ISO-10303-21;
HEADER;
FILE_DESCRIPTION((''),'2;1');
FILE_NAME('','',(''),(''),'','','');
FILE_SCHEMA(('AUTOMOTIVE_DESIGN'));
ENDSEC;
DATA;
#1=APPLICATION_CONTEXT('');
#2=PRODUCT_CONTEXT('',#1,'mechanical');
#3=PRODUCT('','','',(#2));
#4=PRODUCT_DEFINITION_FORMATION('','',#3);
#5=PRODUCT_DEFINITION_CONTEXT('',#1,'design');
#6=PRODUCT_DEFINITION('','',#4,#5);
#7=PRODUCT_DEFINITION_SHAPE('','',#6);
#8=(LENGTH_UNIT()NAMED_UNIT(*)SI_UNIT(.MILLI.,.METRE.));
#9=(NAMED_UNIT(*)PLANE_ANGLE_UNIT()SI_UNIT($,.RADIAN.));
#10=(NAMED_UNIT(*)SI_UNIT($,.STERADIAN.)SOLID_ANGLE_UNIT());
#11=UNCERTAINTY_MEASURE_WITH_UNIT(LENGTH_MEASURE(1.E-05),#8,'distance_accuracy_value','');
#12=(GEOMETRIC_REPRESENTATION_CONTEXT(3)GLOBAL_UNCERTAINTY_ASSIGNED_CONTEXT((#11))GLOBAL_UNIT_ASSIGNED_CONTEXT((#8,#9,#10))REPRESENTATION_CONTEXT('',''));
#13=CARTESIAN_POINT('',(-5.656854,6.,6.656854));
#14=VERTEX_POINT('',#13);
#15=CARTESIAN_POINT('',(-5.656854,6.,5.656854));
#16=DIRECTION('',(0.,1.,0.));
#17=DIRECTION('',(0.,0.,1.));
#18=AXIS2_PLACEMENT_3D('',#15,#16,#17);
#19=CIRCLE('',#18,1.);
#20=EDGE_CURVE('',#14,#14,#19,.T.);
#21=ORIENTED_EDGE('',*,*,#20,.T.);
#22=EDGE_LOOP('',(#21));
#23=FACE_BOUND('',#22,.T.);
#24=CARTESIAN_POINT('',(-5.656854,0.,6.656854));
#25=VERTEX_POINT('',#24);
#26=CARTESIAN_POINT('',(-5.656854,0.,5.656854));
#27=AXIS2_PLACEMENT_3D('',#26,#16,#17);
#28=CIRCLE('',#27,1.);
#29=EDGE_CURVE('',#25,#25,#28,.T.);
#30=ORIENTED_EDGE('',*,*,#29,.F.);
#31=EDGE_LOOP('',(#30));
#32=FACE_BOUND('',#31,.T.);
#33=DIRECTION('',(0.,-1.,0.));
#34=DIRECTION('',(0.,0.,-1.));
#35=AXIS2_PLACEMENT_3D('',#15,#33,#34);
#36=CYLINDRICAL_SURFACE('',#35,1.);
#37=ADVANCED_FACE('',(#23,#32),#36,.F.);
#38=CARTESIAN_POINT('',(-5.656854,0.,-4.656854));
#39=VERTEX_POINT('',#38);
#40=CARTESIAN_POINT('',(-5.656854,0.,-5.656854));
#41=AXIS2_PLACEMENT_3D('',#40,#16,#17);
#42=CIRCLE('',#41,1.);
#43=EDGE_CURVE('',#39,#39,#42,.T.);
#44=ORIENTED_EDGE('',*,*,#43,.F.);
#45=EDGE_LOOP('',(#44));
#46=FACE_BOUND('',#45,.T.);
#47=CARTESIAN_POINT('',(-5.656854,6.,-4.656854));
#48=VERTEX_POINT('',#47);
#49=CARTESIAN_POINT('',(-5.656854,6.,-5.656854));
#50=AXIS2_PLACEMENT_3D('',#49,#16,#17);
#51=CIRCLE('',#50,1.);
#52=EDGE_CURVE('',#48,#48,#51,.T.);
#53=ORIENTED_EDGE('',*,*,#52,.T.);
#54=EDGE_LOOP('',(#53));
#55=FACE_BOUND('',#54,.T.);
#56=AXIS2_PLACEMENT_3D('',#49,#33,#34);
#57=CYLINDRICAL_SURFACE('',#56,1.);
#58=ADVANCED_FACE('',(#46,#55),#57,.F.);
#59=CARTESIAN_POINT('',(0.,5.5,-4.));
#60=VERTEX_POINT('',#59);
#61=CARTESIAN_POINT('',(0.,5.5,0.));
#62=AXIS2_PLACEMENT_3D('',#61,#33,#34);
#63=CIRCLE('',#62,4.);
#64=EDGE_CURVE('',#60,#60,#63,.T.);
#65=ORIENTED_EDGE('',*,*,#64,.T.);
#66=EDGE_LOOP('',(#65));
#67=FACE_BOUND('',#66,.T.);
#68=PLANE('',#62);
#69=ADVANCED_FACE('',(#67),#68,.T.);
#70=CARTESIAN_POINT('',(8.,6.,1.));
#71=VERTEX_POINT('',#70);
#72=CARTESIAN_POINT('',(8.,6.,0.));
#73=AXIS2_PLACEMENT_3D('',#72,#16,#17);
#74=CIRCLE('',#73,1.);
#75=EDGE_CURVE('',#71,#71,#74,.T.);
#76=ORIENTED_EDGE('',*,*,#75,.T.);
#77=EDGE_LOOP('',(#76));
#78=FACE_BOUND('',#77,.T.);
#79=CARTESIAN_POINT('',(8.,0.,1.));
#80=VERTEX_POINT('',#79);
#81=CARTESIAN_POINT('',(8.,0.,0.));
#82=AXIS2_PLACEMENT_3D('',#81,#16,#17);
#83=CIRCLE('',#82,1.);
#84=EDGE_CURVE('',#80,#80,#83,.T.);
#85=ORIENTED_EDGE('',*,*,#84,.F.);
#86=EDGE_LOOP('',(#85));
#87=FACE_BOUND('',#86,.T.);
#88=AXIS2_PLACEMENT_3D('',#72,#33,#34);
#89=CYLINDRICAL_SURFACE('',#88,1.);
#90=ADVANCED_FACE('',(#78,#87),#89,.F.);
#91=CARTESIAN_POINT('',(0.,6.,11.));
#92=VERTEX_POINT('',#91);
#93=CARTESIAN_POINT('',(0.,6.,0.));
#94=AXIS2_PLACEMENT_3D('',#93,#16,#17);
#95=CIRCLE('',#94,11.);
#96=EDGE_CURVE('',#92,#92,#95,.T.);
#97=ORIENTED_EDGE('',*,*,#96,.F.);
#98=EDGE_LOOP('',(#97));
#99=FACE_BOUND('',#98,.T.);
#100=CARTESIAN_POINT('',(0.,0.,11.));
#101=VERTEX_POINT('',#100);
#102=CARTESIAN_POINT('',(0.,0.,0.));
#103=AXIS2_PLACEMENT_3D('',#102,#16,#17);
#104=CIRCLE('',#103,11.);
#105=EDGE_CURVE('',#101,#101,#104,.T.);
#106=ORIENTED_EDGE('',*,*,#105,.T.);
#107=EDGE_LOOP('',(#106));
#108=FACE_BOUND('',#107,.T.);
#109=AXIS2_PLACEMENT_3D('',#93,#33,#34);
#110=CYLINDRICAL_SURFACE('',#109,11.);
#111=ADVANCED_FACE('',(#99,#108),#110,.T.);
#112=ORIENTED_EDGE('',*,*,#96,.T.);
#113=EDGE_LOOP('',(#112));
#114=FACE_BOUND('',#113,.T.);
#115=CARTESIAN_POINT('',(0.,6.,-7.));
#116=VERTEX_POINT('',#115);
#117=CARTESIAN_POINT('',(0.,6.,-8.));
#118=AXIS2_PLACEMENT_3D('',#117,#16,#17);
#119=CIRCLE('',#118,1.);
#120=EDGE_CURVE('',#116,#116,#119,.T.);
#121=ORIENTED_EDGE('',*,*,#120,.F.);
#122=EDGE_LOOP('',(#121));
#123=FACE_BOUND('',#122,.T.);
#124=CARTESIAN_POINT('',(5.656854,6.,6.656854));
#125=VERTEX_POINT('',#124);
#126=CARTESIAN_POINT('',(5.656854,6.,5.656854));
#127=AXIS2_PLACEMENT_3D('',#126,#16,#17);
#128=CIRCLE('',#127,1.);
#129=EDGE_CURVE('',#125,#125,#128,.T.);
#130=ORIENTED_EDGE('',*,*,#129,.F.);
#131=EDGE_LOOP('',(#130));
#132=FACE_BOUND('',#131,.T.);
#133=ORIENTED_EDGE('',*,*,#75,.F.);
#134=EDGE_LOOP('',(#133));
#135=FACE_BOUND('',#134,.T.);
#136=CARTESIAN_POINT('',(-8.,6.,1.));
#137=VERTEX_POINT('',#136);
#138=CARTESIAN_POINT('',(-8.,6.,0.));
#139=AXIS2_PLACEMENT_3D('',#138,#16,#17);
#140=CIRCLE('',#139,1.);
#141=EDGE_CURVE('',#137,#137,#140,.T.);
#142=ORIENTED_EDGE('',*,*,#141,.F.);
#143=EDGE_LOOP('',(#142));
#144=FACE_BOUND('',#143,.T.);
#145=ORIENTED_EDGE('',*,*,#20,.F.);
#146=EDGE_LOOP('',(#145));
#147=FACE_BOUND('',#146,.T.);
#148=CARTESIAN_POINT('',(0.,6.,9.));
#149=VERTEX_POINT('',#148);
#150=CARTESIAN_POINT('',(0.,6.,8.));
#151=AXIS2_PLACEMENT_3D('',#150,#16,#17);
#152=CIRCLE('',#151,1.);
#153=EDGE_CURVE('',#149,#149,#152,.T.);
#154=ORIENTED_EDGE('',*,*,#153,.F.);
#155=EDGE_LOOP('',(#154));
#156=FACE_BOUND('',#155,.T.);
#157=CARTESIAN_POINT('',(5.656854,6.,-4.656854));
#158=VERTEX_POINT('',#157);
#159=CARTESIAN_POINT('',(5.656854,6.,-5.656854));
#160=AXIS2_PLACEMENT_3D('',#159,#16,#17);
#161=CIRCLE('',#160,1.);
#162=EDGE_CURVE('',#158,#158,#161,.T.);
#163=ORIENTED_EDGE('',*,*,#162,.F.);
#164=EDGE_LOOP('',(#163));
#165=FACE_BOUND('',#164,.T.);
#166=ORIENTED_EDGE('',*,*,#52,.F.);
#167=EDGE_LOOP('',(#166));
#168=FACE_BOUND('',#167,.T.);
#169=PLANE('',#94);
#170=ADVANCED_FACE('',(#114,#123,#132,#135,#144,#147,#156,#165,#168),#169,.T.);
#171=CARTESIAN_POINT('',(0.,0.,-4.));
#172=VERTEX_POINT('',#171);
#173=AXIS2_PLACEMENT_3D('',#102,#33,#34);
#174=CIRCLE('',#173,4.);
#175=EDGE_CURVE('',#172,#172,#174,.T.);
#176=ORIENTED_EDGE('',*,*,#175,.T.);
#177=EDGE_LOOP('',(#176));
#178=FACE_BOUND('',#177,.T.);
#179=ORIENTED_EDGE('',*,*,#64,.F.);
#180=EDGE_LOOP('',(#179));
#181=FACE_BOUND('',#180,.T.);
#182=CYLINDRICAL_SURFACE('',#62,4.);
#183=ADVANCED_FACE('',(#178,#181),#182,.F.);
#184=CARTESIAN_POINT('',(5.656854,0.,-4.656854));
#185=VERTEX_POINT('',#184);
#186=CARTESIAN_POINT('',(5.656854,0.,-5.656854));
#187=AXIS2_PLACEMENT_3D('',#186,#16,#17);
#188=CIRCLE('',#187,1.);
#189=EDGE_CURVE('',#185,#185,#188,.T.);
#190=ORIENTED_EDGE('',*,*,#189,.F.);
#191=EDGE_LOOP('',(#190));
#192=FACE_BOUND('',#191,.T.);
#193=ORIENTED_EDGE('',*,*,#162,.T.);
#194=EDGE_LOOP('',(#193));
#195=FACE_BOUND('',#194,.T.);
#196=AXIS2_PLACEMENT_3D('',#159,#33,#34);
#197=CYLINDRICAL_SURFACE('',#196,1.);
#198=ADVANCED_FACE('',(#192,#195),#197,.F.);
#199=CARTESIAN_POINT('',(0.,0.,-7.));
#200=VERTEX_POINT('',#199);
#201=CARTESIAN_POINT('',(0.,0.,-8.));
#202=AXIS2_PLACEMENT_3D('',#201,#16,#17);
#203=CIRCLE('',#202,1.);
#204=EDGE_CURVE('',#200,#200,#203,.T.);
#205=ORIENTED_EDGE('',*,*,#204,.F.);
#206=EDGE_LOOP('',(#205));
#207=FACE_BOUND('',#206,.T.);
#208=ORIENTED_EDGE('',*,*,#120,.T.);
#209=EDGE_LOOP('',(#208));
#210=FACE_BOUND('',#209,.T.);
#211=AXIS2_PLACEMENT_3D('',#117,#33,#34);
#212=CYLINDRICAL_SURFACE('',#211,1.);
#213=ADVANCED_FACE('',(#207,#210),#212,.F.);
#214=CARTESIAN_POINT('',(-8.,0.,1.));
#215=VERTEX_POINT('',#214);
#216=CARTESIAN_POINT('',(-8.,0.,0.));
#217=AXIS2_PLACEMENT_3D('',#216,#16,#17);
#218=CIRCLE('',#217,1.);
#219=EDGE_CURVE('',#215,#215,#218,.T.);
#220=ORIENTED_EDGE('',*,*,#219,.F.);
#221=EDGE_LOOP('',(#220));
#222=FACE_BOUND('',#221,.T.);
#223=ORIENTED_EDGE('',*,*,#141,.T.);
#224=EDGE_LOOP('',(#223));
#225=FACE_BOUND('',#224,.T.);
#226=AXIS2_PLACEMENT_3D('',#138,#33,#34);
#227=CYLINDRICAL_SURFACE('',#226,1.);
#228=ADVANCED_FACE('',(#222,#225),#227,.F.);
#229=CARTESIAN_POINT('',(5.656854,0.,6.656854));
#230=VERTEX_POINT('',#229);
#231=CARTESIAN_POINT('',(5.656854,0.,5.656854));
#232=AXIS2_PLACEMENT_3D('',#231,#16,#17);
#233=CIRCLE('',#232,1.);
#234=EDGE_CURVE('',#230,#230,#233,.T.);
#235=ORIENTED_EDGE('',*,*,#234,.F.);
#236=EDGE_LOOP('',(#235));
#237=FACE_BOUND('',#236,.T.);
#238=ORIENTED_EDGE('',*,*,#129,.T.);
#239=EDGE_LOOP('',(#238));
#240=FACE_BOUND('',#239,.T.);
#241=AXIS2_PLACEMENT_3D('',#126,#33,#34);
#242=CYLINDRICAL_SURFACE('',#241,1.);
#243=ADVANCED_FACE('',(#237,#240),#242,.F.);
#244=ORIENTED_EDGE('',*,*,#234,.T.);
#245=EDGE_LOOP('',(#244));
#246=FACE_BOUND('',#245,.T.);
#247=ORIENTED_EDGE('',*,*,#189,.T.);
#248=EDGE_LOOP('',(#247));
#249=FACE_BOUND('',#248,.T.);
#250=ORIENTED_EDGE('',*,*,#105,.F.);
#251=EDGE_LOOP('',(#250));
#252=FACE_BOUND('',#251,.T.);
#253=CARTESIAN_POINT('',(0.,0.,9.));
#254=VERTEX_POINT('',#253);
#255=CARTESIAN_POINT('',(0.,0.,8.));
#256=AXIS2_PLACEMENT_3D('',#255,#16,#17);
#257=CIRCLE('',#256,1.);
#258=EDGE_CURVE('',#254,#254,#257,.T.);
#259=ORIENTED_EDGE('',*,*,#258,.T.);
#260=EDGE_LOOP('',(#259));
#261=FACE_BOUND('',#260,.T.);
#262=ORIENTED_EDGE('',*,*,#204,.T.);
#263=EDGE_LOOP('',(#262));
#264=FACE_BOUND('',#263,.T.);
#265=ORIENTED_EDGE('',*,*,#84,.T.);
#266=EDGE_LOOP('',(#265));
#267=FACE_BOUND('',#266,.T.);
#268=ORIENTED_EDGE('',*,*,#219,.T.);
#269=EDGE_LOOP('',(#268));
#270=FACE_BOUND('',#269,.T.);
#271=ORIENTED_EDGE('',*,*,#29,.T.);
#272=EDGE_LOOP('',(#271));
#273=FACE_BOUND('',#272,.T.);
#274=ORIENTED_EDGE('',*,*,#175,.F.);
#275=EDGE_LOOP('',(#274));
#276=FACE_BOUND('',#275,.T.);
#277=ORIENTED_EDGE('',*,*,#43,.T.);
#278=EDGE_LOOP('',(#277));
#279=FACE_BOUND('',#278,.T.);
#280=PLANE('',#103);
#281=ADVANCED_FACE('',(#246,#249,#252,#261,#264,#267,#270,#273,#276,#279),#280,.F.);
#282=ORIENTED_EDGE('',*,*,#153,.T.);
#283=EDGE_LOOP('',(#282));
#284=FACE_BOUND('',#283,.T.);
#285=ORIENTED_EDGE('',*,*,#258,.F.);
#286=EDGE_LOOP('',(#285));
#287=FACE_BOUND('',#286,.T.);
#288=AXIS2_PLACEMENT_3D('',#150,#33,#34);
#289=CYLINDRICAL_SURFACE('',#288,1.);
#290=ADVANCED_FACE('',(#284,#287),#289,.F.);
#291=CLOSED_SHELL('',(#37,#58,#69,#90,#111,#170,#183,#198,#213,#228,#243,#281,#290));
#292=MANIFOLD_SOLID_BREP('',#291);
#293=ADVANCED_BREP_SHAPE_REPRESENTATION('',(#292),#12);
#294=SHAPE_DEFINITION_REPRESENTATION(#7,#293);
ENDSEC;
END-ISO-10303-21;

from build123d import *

# Parameters (mm, degrees)
SKETCH1_R           = 11
SKETCH1_R_2         = 1
BOSS_EXTRUDE1_DEPTH = 6
SKETCH2_R           = 4
CUT_EXTRUDE1_DEPTH  = 5.5


with BuildPart() as part:
    # Sketch1 → Boss-Extrude1 (new body)
    with BuildSketch(Plane(origin=(0, 0, 0), x_dir=(1, 0, 0), z_dir=(0, 1, 0))):
        with Locations(Location((0, 0, 0), (0, 0, 270))):
            Circle(SKETCH1_R)
        with Locations(Location((0, 8, 0), (0, 0, 270))):
            Circle(SKETCH1_R_2, mode=Mode.SUBTRACT)
        with Locations(Location((5.656854249, 5.656854249, 0), (0, 0, 270))):
            Circle(SKETCH1_R_2, mode=Mode.SUBTRACT)
        with Locations(Location((8, 0, 0), (0, 0, 270))):
            Circle(SKETCH1_R_2, mode=Mode.SUBTRACT)
        with Locations(Location((5.656854249, -5.656854249, 0), (0, 0, 270))):
            Circle(SKETCH1_R_2, mode=Mode.SUBTRACT)
        with Locations(Location((0, -8, 0), (0, 0, 270))):
            Circle(SKETCH1_R_2, mode=Mode.SUBTRACT)
        with Locations(Location((-5.656854249, -5.656854249, 0), (0, 0, 270))):
            Circle(SKETCH1_R_2, mode=Mode.SUBTRACT)
        with Locations(Location((-8, 0, 0), (0, 0, 270))):
            Circle(SKETCH1_R_2, mode=Mode.SUBTRACT)
        with Locations(Location((-5.656854249, 5.656854249, 0), (0, 0, 270))):
            Circle(SKETCH1_R_2, mode=Mode.SUBTRACT)
    extrude(amount=BOSS_EXTRUDE1_DEPTH)

    # Sketch2 → Cut-Extrude1 (cut)
    with BuildSketch(Plane.XZ):
        with Locations(Location((0, 0, 0), (0, 0, 270))):
            Circle(SKETCH2_R)
    extrude(amount=-CUT_EXTRUDE1_DEPTH, mode=Mode.SUBTRACT)


solid = part.part
